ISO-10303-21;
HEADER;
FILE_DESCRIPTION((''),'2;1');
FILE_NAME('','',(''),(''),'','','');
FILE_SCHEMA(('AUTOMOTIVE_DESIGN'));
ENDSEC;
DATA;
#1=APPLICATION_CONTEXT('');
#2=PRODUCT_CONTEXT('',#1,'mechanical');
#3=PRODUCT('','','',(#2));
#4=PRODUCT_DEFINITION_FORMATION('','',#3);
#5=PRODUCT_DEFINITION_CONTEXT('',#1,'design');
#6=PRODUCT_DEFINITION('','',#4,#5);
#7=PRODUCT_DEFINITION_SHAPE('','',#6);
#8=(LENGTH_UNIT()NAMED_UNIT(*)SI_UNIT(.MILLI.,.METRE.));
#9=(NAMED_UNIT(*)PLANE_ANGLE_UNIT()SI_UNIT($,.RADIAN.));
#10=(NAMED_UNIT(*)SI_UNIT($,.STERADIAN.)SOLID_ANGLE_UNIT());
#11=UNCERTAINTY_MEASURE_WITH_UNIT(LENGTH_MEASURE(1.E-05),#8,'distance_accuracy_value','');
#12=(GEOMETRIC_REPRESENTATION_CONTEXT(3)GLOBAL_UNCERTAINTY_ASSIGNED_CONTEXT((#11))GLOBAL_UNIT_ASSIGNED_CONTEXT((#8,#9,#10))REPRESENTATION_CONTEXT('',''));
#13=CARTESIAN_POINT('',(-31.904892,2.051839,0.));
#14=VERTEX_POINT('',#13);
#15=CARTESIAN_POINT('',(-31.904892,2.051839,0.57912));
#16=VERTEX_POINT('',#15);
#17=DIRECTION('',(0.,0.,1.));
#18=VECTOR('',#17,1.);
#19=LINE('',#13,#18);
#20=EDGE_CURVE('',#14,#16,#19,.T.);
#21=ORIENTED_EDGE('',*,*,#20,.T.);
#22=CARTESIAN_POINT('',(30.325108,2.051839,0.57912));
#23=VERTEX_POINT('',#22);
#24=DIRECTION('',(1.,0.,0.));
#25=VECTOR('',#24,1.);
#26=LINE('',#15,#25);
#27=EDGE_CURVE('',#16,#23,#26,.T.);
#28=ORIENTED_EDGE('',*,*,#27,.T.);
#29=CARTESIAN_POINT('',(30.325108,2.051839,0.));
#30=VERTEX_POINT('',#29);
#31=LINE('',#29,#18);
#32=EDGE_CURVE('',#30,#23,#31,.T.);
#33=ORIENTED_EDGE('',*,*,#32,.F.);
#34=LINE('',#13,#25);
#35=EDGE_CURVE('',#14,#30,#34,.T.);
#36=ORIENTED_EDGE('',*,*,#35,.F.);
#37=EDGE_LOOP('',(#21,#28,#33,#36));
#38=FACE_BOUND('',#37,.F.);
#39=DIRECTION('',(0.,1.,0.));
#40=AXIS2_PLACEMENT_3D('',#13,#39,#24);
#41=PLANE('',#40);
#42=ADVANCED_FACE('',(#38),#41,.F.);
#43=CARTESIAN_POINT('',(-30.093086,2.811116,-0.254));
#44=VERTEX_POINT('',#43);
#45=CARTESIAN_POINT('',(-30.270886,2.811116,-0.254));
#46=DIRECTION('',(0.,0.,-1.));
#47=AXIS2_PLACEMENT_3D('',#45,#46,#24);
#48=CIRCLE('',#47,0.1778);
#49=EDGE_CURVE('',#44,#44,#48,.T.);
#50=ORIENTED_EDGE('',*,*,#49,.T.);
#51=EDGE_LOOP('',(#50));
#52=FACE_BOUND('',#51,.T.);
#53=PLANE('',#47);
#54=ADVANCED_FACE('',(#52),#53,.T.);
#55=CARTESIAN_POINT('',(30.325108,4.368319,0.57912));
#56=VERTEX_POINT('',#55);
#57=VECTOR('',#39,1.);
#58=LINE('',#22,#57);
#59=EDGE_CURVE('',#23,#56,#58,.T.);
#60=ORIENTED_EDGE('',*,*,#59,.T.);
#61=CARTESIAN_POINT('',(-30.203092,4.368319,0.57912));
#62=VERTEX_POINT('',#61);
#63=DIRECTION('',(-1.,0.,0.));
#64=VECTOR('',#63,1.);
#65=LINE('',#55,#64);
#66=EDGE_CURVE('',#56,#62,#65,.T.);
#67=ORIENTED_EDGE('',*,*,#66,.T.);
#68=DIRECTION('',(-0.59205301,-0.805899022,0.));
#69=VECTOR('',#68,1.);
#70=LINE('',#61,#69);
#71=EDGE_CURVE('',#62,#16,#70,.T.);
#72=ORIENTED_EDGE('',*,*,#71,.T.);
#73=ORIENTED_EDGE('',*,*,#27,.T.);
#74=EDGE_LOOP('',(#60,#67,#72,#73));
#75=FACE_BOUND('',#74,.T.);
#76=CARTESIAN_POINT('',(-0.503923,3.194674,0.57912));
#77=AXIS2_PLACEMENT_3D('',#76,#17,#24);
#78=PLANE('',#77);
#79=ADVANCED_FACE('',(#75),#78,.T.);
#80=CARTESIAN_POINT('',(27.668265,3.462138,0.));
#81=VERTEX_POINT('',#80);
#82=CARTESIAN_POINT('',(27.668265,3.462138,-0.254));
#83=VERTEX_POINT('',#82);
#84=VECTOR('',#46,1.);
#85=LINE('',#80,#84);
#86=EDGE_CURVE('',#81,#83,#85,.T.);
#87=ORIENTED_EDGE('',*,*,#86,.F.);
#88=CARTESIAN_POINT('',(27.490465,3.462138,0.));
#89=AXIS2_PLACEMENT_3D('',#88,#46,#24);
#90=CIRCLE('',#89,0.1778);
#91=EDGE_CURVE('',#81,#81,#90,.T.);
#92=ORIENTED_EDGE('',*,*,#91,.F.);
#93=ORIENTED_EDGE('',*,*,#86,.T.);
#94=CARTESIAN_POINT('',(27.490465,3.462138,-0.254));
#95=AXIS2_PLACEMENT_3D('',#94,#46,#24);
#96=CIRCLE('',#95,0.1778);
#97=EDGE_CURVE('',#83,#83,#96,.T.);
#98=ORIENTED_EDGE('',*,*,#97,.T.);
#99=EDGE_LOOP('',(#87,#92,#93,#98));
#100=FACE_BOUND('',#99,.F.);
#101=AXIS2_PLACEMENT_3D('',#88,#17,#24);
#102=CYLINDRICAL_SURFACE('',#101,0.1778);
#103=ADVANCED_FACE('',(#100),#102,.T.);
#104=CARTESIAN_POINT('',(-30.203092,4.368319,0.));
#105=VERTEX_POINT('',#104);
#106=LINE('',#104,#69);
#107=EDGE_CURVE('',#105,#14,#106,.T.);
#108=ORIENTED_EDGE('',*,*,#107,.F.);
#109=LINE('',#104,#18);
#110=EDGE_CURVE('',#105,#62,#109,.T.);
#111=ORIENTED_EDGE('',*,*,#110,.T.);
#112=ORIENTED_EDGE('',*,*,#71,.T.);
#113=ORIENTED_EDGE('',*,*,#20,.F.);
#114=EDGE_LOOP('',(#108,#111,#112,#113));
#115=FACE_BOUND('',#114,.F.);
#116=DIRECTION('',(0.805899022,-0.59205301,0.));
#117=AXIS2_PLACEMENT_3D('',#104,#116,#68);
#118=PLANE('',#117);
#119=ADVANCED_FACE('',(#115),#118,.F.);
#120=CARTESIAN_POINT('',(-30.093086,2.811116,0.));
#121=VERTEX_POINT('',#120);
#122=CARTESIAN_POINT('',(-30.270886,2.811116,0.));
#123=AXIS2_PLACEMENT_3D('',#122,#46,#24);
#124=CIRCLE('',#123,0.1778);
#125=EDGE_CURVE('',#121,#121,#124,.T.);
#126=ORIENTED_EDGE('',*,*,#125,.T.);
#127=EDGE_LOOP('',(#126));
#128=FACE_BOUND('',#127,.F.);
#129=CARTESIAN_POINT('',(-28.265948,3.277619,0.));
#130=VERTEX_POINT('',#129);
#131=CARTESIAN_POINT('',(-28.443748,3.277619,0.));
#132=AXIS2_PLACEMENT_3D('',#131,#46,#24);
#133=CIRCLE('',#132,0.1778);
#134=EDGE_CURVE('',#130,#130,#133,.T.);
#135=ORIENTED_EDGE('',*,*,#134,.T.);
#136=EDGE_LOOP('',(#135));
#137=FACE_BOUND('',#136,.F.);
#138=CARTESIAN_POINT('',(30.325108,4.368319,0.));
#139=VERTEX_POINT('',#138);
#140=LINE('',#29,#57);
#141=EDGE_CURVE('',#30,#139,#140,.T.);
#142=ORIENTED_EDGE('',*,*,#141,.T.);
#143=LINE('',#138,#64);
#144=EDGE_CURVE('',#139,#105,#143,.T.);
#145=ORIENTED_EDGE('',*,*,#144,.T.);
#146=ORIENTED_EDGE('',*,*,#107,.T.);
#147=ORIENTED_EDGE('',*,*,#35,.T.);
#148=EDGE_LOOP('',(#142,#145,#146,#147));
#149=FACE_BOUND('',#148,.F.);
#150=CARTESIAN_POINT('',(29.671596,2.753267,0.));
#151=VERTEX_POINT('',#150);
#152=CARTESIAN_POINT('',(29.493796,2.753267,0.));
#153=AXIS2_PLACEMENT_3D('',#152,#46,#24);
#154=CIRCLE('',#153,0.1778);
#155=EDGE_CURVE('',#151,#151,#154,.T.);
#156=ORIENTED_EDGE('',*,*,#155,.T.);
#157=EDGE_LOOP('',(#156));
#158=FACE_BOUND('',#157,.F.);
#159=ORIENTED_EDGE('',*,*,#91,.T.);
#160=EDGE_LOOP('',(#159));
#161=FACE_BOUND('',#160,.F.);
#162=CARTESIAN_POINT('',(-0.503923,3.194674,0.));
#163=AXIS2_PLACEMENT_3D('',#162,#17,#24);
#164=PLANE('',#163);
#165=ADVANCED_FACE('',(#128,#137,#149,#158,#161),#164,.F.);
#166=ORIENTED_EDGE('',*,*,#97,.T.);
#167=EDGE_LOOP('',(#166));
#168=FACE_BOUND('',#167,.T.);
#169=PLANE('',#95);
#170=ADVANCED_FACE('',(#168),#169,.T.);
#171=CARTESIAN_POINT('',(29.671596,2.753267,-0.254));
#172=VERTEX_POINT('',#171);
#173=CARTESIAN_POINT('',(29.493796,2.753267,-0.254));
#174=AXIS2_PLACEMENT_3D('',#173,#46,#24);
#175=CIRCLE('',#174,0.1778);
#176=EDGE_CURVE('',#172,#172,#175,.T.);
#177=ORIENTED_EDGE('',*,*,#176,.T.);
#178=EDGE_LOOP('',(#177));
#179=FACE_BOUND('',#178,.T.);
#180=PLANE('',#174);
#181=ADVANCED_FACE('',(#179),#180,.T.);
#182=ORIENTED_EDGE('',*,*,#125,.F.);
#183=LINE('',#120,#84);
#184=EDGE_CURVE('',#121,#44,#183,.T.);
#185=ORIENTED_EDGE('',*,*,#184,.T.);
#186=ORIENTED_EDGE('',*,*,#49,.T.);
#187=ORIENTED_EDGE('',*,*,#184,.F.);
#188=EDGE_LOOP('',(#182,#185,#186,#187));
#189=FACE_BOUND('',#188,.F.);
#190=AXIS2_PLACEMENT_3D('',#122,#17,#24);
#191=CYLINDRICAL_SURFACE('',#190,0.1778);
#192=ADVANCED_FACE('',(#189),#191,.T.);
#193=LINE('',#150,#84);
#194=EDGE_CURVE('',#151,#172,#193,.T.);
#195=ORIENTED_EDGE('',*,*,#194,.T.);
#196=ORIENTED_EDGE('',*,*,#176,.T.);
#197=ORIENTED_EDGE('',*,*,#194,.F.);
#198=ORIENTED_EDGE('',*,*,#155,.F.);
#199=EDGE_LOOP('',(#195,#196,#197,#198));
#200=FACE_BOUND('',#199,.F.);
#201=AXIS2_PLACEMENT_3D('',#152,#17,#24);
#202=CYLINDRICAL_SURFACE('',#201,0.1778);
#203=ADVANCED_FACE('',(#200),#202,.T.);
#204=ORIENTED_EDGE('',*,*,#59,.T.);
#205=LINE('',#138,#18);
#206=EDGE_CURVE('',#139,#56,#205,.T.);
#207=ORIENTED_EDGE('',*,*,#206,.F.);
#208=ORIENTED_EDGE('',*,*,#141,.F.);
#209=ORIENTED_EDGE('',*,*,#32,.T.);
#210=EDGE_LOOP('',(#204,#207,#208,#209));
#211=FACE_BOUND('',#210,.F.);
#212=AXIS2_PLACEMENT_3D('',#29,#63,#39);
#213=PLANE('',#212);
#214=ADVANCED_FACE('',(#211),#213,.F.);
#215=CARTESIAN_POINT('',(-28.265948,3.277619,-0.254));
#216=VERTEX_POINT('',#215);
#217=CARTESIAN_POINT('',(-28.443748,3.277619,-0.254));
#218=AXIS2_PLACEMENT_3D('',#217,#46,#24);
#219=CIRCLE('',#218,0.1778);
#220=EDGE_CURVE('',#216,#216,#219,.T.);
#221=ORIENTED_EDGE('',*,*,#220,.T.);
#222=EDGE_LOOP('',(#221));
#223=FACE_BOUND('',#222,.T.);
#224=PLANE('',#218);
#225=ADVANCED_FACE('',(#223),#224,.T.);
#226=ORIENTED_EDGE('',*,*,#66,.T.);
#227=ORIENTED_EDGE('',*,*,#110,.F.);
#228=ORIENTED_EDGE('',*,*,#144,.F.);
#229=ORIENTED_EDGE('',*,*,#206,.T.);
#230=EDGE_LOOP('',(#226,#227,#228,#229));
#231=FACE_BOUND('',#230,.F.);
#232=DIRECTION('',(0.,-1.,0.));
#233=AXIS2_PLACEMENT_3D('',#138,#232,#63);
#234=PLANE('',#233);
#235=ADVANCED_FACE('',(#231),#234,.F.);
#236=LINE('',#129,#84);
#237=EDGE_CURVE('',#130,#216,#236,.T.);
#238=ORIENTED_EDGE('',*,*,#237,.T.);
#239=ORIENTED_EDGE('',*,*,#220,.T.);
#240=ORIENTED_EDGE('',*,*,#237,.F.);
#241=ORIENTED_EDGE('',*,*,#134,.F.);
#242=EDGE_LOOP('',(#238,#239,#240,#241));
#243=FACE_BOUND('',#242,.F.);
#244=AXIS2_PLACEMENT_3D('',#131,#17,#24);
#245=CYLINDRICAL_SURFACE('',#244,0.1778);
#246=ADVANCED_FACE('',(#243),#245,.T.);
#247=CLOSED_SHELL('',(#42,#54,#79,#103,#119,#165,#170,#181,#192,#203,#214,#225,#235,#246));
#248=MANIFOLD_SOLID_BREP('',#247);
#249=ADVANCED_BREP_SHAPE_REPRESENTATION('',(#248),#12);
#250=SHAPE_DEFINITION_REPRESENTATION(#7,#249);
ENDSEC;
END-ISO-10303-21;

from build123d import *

# Parameters (mm, degrees)
F1_DEPTH = 0.57912
F2_R     = 0.1778
F3_DEPTH = 0.254


with BuildPart() as f1:
    # F0 (on Top) → F1 (new body)
    with BuildSketch(Plane.XY):
        Polygon((30.325108, 4.368319), (-30.203092, 4.368319), (-31.904892, 2.051839), (30.325108, 2.051839), align=None)
    extrude(amount=F1_DEPTH)

    # F2 (on face) → F3 (join)
    with BuildSketch(Plane(origin=(0, 0, 0), x_dir=(1, 0, 0), z_dir=(0, 0, -1))):
        with Locations((-30.270886, -2.811116)):
            Circle(F2_R)
        with Locations((-28.443748, -3.277619)):
            Circle(F2_R)
        with Locations((29.493796, -2.753267)):
            Circle(F2_R)
        with Locations((27.490465, -3.462138)):
            Circle(F2_R)
    extrude(amount=F3_DEPTH)


solid = f1.part
